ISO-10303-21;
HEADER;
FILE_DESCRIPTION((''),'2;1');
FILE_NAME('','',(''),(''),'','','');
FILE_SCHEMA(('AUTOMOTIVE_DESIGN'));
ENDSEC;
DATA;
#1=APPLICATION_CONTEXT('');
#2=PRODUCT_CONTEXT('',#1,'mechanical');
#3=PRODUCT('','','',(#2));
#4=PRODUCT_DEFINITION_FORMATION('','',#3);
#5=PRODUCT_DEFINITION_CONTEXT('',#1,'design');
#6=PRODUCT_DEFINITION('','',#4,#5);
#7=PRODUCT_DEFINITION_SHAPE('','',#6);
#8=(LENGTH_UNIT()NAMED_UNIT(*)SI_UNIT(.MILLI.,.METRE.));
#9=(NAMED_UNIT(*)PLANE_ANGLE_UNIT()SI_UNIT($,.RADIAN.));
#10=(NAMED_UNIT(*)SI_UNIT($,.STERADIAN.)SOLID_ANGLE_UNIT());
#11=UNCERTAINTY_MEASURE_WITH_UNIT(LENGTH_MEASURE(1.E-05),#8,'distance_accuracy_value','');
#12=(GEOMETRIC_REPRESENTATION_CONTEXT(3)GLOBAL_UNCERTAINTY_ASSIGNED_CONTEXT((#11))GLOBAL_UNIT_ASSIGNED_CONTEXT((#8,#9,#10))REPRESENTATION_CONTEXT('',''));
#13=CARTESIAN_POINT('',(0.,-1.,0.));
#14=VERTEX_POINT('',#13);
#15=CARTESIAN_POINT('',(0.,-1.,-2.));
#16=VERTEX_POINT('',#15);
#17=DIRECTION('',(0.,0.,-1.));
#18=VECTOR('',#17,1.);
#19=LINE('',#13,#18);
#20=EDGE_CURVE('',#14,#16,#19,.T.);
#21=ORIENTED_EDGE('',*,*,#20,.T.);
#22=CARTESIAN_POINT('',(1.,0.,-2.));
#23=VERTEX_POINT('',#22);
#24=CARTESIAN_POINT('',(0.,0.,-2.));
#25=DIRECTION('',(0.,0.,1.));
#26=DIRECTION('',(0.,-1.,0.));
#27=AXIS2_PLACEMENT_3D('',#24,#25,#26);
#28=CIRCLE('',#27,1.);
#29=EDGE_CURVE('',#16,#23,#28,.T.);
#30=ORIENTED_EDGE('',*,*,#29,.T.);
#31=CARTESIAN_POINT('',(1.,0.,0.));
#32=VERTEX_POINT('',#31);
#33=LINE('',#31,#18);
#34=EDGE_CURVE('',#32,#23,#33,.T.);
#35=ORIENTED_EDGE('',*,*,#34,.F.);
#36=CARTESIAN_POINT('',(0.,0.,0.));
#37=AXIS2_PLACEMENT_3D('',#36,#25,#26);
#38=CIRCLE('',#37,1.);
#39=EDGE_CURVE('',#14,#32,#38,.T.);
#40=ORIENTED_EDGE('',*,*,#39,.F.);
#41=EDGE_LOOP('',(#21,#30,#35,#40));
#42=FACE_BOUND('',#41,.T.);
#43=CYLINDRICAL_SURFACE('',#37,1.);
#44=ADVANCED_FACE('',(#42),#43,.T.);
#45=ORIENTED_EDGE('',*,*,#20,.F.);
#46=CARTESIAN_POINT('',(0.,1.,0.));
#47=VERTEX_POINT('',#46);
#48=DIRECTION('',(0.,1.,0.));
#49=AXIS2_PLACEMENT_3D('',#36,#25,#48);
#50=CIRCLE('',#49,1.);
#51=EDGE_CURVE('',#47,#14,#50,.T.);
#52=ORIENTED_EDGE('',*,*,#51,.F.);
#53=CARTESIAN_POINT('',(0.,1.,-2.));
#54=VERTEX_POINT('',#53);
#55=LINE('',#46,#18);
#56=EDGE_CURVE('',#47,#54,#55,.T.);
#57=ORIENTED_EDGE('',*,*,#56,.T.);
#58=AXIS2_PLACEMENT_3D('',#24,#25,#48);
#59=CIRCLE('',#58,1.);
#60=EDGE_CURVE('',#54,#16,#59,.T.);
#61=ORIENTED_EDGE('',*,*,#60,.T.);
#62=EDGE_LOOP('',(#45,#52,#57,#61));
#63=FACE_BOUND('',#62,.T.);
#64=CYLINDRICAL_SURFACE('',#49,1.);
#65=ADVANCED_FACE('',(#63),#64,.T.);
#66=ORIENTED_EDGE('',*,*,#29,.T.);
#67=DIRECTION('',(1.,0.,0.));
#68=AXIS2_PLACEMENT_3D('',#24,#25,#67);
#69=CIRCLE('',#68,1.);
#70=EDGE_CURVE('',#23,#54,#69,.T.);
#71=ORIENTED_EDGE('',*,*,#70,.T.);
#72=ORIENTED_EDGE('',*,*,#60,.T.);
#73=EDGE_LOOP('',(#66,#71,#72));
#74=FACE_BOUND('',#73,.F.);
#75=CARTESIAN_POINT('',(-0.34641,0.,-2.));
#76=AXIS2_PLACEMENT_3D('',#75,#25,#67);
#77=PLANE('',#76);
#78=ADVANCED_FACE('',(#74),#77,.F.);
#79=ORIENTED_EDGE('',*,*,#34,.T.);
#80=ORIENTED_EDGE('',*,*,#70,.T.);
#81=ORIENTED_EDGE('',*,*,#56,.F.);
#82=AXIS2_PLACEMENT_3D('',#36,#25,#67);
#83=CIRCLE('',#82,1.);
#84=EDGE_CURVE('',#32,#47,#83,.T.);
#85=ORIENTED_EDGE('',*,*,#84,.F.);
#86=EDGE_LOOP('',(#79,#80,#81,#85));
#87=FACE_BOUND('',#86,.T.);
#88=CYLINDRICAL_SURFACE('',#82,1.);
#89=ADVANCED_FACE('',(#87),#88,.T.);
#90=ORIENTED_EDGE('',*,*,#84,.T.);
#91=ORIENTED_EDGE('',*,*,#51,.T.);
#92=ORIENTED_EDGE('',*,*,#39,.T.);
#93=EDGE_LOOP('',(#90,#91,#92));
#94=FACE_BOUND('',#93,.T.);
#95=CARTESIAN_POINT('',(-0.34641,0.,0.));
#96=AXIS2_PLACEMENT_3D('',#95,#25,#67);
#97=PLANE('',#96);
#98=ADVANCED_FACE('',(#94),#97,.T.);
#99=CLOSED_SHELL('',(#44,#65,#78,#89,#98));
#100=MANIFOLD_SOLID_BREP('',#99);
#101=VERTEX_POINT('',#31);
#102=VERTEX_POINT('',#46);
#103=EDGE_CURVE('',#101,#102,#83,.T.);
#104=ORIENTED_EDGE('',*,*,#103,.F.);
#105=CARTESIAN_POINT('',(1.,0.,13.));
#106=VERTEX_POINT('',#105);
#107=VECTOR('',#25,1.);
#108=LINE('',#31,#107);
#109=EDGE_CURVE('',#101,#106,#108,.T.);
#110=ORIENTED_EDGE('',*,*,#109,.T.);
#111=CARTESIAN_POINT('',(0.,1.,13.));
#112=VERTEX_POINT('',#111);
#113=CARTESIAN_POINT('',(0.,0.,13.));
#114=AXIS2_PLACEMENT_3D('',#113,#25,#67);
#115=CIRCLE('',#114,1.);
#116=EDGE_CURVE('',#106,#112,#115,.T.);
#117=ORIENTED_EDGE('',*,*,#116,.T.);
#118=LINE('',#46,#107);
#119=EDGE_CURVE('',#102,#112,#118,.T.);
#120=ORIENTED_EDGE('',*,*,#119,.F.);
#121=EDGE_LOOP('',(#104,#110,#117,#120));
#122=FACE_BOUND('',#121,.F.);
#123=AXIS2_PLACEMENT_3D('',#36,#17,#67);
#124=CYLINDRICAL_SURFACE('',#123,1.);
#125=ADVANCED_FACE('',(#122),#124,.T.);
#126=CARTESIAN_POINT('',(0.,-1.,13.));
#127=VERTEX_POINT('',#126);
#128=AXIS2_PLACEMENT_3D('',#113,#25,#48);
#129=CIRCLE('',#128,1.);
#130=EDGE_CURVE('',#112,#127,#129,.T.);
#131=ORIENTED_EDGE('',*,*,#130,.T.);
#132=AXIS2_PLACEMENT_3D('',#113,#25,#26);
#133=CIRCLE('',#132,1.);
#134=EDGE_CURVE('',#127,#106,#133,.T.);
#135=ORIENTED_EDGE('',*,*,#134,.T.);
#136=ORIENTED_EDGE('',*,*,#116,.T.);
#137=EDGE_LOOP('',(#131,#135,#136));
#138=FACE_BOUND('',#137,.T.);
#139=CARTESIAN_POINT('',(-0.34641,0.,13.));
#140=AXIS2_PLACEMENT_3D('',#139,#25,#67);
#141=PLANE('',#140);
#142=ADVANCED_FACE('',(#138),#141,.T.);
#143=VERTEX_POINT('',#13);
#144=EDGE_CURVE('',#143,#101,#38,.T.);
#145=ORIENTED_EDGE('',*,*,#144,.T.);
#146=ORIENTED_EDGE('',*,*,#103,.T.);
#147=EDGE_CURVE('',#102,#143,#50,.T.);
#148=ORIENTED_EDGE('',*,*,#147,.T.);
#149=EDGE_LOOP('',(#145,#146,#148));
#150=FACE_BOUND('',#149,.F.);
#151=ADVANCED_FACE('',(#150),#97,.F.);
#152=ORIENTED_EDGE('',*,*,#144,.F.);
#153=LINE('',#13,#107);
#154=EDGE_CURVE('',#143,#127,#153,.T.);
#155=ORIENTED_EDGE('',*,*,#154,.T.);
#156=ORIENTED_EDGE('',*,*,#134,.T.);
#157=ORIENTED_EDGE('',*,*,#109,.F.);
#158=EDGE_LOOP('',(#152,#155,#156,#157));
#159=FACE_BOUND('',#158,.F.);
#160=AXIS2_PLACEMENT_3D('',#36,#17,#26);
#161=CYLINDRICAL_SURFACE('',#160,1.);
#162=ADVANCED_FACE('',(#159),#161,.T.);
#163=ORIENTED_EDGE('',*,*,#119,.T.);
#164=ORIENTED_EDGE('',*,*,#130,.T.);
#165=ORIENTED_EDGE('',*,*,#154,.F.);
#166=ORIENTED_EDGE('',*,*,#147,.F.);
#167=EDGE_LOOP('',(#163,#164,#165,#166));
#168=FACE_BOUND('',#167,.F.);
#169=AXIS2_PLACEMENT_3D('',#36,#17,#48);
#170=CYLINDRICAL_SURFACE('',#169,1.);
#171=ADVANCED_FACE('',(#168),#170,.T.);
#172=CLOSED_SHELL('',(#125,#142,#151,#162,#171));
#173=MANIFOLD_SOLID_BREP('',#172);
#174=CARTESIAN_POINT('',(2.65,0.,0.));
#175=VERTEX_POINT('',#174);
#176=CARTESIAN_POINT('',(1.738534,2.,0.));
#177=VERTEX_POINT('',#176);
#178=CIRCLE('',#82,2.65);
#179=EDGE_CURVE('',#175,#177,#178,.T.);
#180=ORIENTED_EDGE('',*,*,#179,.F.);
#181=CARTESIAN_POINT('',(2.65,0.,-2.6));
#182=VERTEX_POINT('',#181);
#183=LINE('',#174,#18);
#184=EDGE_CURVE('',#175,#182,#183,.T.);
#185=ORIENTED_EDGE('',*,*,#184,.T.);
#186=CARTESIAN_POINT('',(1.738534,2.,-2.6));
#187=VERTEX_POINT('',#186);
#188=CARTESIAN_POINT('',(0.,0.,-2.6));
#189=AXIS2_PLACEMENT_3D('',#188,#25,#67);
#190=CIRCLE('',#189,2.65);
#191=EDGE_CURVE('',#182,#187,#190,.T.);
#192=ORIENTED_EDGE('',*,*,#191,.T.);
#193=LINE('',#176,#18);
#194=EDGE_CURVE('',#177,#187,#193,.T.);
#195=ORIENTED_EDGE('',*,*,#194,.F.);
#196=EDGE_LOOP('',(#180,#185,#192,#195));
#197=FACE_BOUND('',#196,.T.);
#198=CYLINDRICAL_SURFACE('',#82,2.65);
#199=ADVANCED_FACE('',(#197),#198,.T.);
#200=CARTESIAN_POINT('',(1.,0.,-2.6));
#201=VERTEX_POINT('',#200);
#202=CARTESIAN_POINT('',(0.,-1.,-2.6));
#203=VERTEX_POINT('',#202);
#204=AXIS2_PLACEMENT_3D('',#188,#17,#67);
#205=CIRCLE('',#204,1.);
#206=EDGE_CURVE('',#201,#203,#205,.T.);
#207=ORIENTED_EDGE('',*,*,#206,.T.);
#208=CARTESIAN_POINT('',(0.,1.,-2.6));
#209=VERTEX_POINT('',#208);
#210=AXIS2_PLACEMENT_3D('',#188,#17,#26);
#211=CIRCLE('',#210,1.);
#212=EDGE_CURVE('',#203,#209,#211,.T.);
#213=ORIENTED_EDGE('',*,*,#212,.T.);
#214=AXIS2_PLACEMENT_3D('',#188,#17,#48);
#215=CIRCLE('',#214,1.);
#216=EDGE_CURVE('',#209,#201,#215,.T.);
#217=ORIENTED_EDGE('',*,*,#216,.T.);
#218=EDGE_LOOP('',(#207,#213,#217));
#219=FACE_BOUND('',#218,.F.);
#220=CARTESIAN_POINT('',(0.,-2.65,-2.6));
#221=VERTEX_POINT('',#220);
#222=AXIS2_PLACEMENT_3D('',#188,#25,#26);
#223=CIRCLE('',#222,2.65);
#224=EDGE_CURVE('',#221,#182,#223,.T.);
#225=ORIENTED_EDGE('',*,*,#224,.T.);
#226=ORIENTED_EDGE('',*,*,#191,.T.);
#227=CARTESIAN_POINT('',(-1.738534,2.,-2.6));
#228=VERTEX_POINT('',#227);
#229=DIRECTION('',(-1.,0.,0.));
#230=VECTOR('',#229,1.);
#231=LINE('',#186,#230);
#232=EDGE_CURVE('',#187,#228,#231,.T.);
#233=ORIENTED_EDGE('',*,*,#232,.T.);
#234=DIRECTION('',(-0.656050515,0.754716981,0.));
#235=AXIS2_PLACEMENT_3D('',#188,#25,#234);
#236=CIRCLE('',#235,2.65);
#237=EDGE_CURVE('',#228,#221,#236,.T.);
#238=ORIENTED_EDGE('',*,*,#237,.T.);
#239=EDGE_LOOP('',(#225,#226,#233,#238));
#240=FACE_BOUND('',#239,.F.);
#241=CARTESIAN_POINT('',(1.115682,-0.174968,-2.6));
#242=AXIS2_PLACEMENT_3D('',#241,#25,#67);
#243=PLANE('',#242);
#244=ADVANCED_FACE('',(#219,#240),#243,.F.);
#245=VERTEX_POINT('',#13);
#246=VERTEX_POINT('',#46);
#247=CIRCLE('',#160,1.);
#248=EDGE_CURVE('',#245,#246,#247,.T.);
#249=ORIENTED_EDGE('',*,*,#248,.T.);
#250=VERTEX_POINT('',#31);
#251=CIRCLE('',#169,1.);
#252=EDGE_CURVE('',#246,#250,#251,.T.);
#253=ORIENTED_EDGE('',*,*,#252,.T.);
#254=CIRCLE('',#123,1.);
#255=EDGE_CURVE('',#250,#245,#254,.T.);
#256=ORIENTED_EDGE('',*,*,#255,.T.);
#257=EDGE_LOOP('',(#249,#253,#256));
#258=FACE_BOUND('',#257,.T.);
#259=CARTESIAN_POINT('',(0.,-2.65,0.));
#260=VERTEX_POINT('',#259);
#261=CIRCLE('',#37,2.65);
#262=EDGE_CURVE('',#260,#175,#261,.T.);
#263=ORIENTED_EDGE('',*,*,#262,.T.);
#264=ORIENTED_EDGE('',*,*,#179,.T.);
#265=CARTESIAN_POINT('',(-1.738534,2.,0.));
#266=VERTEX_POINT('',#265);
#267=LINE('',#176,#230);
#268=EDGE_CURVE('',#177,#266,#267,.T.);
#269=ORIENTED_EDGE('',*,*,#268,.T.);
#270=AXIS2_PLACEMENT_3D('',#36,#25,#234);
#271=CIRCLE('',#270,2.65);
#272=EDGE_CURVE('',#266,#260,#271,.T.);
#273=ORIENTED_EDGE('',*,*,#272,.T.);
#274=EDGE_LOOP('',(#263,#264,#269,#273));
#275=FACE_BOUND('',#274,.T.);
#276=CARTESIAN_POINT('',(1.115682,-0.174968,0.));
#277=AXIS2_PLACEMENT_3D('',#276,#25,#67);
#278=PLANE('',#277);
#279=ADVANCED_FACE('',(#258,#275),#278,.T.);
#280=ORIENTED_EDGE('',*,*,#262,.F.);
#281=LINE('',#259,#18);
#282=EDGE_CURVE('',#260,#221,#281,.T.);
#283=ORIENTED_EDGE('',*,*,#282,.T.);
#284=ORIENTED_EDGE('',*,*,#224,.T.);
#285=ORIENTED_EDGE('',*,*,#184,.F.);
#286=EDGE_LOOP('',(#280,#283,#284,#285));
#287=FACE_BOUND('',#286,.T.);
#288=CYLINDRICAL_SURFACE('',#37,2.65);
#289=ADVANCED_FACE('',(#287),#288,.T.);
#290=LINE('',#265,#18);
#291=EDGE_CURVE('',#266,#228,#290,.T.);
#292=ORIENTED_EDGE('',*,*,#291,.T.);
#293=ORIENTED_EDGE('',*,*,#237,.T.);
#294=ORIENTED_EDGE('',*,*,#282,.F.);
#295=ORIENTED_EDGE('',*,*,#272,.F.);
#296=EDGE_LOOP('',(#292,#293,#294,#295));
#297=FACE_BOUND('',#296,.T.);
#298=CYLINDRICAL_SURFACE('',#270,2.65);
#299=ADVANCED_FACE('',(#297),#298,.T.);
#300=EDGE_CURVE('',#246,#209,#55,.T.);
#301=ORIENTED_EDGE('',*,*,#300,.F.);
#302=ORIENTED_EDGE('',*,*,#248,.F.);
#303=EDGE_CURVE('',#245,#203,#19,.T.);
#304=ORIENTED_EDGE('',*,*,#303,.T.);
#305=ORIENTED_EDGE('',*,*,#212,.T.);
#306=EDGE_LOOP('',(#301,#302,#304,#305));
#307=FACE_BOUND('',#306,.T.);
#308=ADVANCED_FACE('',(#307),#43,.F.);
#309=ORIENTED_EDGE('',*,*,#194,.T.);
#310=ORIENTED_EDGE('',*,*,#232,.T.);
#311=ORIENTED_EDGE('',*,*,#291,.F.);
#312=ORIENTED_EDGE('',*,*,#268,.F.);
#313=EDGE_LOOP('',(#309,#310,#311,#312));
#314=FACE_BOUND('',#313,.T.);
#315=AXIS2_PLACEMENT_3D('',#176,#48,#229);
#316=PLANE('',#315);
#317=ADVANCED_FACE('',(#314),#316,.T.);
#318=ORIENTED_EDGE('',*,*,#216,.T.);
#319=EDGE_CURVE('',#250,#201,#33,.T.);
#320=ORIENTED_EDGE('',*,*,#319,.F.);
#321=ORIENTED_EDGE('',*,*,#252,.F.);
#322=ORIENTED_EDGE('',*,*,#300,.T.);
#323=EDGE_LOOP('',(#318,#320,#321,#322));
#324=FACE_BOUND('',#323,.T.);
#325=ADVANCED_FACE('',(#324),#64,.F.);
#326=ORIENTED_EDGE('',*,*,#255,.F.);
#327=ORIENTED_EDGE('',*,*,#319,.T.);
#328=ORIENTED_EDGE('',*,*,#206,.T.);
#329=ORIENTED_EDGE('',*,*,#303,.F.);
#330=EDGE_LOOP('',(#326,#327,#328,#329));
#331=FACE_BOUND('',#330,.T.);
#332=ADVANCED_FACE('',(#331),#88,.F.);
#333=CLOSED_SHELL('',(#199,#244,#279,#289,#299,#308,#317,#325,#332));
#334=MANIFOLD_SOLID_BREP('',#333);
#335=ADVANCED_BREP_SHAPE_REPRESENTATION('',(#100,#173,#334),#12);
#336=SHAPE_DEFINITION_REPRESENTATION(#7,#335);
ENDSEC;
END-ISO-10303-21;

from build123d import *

# Parameters (mm, degrees)
F1_DEPTH = 2.6
F2_DEPTH = 13
F3_DEPTH = 2


with BuildPart() as f1:
    # F0 (on Top) → F1 (new body)
    with BuildSketch(Plane.XY):
        with BuildLine():
            ThreePointArc((0, -2.65), (1.8738329701, -1.8738329701), (2.65, 0))
            ThreePointArc((2.65, 0), (2.4113911693, 1.0989506944), (1.7385338651, 2))
            Line((1.7385338651, 2), (0, 2))
            Line((0, 2), (0, 1))
            ThreePointArc((0, 1), (0.7071067812, 0.7071067812), (1, 0))
            ThreePointArc((1, 0), (0.7071067812, -0.7071067812), (0, -1))
            Line((0, -1), (0, -2.65))
        make_face()
        with BuildLine():
            ThreePointArc((-1.7385338651, 2), (-2.4821865361, -0.9280355597), (0, -2.65))
            Line((0, -2.65), (0, -1))
            ThreePointArc((0, -1), (-1, 0), (0, 1))
            Line((0, 1), (0, 2))
            Line((0, 2), (-1.7385338651, 2))
        make_face()
    extrude(amount=-F1_DEPTH)


with BuildPart() as f2:
    # F0 (on Top) → F2 (new body)
    with BuildSketch(Plane.XY):
        with BuildLine():
            ThreePointArc((0, 1), (-1, 0), (0, -1))
            Line((0, -1), (0, 1))
        make_face()
        with BuildLine():
            Line((0, 1), (0, -1))
            ThreePointArc((0, -1), (0.7071067812, -0.7071067812), (1, 0))
            ThreePointArc((1, 0), (0.7071067812, 0.7071067812), (0, 1))
        make_face()
    extrude(amount=F2_DEPTH)


with BuildPart() as f3:
    # F3 (new): a face of the model
    f3_faces = [f2.part.faces().sort_by_distance(p)[0] for p in [
        (0, 0, 0),
    ]]
    extrude(f3_faces, amount=F3_DEPTH)


solid = Compound([f1.part, f2.part, f3.part])
